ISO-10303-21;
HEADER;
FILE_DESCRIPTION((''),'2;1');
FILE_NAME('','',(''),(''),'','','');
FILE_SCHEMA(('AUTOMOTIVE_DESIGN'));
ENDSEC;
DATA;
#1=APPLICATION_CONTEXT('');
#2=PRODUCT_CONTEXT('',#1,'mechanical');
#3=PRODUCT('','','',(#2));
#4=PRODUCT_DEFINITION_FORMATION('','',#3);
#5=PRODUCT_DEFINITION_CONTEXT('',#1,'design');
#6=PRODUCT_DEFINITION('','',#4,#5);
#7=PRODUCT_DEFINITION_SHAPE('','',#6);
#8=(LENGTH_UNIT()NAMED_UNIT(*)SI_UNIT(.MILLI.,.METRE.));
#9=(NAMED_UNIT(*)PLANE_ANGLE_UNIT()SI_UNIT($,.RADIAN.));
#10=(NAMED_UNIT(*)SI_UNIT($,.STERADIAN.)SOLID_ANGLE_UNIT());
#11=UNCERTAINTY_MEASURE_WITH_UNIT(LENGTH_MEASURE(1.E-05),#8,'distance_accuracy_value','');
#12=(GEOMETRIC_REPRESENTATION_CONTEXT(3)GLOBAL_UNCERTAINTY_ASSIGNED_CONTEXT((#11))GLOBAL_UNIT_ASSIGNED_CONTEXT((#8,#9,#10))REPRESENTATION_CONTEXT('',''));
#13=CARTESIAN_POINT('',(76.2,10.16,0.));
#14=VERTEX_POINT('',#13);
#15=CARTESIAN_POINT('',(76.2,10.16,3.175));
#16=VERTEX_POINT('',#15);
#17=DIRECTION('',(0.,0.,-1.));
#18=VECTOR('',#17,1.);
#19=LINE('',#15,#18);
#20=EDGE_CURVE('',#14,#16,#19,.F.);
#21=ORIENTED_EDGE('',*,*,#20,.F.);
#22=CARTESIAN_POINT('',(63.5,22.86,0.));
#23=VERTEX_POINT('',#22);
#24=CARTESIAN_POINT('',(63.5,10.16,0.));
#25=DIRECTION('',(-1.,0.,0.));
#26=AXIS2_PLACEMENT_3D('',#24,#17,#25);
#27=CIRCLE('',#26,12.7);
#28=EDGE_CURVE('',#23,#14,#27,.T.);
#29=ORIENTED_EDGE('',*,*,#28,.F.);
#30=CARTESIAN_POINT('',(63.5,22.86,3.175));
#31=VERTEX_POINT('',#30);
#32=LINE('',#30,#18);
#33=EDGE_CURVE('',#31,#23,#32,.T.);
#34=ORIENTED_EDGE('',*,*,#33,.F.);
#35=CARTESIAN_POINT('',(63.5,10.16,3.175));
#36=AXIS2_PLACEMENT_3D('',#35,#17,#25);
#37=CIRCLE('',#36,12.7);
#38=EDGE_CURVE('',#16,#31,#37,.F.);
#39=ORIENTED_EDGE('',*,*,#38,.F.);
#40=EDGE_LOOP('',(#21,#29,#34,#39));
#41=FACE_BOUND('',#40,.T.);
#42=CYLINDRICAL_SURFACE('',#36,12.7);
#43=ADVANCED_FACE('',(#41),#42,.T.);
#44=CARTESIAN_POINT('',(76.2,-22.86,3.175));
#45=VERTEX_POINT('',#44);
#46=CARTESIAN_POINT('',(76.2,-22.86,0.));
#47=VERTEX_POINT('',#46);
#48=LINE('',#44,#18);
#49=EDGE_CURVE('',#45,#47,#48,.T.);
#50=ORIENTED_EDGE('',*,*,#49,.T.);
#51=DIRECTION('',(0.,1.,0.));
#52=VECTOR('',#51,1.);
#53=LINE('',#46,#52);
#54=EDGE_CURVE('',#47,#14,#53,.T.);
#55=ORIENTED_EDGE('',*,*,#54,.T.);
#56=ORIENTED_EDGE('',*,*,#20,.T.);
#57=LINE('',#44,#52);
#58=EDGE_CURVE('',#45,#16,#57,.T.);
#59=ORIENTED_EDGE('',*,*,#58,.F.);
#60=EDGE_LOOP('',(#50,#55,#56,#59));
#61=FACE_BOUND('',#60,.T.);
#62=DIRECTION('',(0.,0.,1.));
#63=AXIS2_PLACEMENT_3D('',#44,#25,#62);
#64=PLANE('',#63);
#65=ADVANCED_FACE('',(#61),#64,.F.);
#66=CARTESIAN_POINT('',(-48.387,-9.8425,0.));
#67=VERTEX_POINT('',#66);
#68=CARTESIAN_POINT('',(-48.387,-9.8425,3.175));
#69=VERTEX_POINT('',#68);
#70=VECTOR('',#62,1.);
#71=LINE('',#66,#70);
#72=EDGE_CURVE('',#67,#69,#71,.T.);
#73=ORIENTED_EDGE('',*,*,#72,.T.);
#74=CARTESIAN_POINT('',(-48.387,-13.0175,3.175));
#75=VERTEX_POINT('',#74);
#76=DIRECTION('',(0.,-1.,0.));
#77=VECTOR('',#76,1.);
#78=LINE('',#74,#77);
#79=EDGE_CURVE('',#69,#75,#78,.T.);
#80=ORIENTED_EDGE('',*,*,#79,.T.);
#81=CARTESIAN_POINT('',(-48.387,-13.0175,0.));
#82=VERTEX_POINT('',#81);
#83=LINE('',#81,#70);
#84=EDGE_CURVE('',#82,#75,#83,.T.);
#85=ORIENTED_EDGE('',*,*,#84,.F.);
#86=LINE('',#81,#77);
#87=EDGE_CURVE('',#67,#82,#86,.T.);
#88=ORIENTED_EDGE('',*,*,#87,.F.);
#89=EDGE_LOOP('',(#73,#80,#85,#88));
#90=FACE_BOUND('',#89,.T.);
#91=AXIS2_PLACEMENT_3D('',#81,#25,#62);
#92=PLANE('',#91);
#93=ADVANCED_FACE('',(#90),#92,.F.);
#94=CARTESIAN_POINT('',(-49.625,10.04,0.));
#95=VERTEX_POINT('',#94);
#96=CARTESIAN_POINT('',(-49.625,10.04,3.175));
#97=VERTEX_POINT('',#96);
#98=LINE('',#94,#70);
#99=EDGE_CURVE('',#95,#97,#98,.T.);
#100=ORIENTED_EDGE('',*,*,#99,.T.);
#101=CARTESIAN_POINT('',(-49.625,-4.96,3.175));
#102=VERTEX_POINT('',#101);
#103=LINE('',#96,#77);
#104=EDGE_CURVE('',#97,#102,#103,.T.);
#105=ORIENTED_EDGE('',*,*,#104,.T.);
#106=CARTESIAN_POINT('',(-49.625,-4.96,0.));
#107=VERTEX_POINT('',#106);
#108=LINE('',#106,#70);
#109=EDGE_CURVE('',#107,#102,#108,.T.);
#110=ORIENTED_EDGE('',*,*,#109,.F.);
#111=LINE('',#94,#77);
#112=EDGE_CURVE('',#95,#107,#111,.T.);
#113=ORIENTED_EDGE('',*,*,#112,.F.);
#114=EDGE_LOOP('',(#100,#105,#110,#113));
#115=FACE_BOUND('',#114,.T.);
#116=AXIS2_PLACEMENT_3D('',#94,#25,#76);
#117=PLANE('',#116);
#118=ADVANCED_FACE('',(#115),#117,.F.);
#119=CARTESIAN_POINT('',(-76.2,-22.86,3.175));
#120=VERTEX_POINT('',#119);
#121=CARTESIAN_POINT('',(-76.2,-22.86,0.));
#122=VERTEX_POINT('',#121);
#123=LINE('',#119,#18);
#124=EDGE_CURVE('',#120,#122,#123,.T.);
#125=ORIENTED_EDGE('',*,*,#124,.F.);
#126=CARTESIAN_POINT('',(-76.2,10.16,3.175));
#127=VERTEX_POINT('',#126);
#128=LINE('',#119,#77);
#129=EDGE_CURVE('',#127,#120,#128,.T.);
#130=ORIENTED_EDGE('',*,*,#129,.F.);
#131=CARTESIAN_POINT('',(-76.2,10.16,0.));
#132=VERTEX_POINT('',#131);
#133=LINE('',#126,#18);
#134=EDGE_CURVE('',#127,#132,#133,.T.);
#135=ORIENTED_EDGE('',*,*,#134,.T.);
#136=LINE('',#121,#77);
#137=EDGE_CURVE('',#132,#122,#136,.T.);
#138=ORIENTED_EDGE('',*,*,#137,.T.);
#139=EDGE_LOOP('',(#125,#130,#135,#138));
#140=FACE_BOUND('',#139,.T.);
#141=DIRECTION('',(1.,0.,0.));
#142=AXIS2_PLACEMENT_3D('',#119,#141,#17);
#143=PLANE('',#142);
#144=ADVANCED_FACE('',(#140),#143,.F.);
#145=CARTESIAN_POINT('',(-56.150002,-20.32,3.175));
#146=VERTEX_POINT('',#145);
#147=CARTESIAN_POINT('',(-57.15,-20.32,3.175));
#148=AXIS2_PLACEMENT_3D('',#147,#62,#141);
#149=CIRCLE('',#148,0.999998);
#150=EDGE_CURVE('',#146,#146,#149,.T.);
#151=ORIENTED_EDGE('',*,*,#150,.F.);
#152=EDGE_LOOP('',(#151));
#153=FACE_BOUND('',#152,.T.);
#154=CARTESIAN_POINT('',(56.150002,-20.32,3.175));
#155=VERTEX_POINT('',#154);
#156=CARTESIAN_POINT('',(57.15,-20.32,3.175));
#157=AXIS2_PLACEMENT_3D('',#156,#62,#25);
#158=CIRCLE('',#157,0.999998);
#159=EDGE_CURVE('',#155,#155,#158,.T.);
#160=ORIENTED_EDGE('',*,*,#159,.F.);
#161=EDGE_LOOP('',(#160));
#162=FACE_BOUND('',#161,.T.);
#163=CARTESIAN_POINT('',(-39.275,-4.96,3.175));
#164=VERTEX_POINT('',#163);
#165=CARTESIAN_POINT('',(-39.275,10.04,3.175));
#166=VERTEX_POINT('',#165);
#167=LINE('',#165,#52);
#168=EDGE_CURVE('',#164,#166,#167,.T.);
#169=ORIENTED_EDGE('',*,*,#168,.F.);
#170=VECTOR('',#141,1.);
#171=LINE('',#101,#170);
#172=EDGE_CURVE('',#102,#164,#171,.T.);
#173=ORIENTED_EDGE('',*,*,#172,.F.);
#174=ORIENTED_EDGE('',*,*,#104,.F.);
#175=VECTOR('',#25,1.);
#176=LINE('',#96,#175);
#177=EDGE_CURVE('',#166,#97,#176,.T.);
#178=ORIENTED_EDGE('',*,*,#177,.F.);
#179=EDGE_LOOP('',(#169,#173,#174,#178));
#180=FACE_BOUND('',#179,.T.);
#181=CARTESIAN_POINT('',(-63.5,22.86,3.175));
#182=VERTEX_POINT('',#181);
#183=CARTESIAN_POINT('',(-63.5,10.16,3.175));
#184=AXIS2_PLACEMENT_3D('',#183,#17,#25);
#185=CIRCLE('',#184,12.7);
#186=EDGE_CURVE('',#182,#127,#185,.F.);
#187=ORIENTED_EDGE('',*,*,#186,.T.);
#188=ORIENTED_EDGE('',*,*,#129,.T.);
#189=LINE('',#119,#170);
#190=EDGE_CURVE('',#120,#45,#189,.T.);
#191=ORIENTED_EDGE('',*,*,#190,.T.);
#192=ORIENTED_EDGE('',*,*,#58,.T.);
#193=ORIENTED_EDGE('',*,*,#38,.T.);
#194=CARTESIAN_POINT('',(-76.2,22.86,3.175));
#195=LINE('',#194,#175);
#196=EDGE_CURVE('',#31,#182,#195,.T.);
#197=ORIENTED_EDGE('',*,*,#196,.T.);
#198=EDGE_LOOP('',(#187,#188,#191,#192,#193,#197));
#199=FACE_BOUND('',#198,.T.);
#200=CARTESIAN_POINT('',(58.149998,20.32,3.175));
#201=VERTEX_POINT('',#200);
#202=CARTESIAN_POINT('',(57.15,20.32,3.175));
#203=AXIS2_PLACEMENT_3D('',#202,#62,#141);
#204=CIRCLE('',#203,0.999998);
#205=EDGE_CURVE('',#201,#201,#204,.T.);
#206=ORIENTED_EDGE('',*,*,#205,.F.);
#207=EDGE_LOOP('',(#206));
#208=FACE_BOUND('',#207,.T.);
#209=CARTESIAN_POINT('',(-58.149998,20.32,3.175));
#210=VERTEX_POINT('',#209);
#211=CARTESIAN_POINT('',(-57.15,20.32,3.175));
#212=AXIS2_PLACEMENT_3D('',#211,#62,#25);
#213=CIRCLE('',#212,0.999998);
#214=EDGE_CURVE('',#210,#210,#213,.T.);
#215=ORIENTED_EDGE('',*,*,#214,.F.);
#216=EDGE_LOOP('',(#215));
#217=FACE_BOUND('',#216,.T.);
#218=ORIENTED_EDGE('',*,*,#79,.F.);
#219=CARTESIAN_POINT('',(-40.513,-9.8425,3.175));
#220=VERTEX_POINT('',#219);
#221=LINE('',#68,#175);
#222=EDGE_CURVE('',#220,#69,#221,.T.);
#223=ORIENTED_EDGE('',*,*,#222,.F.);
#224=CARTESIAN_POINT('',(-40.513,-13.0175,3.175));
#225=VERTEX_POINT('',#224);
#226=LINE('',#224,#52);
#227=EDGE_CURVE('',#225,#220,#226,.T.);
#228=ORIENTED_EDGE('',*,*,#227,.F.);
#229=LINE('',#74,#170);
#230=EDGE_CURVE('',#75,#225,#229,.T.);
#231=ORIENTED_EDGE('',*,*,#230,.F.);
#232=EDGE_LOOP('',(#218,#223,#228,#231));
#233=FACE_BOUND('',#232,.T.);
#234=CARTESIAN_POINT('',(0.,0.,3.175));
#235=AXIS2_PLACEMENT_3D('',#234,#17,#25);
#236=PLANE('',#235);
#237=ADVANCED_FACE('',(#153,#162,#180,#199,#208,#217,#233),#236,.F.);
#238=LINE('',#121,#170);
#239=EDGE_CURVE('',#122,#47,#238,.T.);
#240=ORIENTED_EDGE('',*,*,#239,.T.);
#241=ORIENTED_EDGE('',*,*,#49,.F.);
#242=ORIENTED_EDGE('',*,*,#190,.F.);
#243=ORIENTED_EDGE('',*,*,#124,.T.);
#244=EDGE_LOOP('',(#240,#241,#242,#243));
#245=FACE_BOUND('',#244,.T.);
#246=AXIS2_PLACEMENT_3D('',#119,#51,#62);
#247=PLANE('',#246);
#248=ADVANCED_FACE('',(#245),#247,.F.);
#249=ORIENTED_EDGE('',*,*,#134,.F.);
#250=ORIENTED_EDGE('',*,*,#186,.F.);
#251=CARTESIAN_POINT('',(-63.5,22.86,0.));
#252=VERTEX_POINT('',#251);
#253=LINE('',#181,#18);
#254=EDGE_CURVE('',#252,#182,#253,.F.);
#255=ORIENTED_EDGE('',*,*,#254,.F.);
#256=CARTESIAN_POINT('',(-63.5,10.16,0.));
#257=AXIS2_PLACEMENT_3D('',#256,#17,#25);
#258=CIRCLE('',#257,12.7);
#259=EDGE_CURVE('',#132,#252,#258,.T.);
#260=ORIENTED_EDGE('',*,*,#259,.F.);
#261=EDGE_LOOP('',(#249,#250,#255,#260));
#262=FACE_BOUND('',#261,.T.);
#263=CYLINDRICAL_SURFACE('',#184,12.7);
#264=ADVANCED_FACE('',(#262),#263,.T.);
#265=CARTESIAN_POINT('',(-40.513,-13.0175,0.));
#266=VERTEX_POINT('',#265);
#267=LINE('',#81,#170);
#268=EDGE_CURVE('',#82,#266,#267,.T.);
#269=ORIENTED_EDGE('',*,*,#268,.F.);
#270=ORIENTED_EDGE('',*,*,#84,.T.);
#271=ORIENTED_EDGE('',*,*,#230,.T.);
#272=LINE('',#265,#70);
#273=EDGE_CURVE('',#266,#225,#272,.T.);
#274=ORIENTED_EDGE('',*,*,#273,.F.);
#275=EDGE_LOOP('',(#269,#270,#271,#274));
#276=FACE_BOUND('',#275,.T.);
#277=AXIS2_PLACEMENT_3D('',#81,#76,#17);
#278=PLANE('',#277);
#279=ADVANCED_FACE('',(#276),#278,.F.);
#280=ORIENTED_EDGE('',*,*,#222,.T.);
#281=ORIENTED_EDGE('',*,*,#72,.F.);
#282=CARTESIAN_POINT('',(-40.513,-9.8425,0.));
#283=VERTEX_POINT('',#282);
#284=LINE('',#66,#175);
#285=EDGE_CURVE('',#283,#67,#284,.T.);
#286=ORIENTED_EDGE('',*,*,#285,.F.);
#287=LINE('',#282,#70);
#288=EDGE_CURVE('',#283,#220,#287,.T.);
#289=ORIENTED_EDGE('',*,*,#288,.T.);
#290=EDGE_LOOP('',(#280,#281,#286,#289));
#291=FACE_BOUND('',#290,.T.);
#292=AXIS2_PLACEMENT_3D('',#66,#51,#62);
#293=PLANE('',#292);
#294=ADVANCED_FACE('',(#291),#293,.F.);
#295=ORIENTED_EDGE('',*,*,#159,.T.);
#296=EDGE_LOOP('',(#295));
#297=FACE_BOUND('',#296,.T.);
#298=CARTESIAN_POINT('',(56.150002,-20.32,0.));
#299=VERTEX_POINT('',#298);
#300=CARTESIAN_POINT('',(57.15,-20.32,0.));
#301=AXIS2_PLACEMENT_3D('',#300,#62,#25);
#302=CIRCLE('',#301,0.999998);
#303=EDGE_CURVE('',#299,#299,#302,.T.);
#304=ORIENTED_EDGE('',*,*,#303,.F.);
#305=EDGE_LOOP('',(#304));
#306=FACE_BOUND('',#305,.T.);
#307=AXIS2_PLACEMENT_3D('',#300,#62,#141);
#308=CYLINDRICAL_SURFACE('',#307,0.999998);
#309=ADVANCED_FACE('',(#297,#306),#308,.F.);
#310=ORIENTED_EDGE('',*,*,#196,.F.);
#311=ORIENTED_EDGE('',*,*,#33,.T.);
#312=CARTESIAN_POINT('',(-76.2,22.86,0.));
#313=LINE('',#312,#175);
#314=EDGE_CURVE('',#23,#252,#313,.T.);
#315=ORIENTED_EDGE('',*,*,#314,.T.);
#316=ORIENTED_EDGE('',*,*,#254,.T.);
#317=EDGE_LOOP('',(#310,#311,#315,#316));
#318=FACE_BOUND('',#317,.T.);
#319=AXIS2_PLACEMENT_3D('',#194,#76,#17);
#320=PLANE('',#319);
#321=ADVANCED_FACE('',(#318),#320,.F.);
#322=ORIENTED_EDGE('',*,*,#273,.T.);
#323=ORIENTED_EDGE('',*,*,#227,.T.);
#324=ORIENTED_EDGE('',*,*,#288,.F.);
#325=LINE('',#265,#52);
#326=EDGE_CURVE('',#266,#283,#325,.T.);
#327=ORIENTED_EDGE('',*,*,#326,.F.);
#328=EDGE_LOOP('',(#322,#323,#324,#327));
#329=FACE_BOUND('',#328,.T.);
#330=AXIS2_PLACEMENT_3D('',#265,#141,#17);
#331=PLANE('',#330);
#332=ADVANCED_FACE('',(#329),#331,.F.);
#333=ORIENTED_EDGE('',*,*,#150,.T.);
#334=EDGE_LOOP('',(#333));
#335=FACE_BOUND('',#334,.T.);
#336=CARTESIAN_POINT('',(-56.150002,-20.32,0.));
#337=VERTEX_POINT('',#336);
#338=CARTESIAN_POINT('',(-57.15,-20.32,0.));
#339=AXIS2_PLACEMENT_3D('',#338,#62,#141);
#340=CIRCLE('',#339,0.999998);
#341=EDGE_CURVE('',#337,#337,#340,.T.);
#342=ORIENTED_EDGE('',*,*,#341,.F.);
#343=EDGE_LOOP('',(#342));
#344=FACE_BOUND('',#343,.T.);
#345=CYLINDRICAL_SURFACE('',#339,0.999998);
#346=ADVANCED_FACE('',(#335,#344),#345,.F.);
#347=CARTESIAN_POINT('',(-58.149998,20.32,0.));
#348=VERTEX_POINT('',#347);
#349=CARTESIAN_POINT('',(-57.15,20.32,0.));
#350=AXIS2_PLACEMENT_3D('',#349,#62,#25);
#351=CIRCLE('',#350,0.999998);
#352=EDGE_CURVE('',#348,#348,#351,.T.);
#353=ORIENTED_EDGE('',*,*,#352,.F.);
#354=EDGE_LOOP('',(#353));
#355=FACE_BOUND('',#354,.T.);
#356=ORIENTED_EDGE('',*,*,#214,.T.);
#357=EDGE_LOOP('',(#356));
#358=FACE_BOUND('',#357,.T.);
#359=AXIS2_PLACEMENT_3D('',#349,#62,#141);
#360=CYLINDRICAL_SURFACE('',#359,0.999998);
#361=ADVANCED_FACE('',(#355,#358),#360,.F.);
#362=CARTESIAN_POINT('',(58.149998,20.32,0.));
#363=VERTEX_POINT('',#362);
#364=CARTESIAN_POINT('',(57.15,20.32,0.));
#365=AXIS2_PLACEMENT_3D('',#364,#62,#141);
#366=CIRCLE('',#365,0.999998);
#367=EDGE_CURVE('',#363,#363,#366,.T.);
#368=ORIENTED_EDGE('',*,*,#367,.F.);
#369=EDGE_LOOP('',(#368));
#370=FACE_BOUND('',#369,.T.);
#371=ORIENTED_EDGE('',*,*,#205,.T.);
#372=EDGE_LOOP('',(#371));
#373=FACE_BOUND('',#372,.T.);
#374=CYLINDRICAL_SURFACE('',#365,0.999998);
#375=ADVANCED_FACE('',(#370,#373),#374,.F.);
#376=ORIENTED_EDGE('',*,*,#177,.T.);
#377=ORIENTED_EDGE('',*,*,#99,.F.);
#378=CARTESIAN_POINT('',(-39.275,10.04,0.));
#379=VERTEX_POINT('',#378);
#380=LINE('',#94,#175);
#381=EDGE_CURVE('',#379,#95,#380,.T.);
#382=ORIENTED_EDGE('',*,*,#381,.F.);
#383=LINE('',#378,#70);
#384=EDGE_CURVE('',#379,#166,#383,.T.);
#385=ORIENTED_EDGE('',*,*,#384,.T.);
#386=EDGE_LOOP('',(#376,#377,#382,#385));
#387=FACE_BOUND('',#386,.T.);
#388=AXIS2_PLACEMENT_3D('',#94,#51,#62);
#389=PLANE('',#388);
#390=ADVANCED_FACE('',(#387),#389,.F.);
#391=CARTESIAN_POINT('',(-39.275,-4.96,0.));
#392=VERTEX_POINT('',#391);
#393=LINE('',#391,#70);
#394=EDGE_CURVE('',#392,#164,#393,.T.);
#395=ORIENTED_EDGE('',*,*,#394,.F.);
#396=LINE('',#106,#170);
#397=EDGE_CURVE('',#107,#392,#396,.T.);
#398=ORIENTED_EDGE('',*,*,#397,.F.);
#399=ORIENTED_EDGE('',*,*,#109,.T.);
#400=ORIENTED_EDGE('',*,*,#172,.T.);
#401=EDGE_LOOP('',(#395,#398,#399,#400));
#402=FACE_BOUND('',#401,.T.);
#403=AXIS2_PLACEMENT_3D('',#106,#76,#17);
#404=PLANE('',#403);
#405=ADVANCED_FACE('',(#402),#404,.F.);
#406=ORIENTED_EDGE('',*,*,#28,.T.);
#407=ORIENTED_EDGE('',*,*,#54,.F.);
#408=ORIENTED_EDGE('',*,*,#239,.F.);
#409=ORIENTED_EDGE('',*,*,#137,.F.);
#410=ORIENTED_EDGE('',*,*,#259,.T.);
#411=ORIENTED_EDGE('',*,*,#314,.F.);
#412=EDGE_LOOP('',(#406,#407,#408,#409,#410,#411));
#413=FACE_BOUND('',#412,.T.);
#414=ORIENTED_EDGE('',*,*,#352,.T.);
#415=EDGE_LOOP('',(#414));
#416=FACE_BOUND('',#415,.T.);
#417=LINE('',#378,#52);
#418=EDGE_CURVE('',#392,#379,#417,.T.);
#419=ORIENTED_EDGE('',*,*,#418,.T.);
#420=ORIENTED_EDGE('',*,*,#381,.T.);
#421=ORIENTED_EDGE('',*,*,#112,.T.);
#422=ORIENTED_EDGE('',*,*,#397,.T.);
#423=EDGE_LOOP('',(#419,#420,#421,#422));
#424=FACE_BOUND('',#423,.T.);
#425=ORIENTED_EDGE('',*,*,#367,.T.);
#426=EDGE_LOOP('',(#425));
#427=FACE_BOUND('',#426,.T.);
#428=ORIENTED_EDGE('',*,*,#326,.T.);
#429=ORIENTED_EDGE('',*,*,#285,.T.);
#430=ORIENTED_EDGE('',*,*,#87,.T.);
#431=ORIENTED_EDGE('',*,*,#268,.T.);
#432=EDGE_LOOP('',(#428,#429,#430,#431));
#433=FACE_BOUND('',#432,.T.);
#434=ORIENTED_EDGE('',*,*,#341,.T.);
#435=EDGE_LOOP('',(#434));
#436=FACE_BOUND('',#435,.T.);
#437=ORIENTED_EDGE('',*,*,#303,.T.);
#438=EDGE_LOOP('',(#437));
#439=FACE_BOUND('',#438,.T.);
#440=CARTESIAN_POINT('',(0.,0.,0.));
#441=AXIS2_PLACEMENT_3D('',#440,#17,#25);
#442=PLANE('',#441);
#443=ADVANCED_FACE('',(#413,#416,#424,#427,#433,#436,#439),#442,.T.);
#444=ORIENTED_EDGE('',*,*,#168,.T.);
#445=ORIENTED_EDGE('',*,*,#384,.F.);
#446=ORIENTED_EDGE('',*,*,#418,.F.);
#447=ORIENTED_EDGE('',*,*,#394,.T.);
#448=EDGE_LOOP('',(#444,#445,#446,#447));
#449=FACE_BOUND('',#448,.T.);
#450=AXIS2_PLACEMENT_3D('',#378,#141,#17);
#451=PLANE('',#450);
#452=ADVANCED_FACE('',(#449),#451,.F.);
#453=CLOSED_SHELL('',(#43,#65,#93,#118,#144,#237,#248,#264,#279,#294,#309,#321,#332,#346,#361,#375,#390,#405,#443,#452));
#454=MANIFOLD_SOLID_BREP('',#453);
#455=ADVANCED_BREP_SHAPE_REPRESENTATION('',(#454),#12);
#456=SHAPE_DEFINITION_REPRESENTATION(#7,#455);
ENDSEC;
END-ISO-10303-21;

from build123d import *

# Parameters (mm, degrees)
SKETCH1_W           = 152.4
SKETCH1_H           = 45.72
BOSS_EXTRUDE1_DEPTH = 3.175
FILLET1_R           = 12.7
SKETCH2_R           = 0.999998
CUT_EXTRUDE1_DEPTH  = 4.175
SKETCH3_W           = 7.874
SKETCH3_H           = 3.175
CUT_EXTRUDE2_DEPTH  = 4.175
SKETCH4_W           = 10.35
SKETCH4_H           = 15
CUT_EXTRUDE3_DEPTH  = 4.175


with BuildPart() as part:
    # Sketch1 → Boss-Extrude1 (new body)
    with BuildSketch(Plane.XY):
        Rectangle(SKETCH1_W, SKETCH1_H)
    extrude(amount=BOSS_EXTRUDE1_DEPTH)

    # Fillet1
    fillet1_edges = [part.edges().sort_by_distance(p)[0] for p in [
        (-76.2, 22.86, 1.5875),
        (76.2, 22.86, 1.5875),
    ]]
    fillet(fillet1_edges, radius=FILLET1_R)

    # Sketch2 → Cut-Extrude1 (cut, through all)
    with BuildSketch(Plane.XY.offset(3.175)):
        with Locations((-57.15, -20.32)):
            Circle(SKETCH2_R)
        with Locations((-57.15, 20.32)):
            Circle(SKETCH2_R)
        with Locations((57.15, -20.32)):
            Circle(SKETCH2_R)
        with Locations((57.15, 20.32)):
            Circle(SKETCH2_R)
    extrude(amount=-CUT_EXTRUDE1_DEPTH, mode=Mode.SUBTRACT)

    # Sketch3 → Cut-Extrude2 (cut, through all)
    with BuildSketch(Plane.XY.offset(3.175)):
        with Locations((-44.45, -11.43)):
            Rectangle(SKETCH3_W, SKETCH3_H)
    extrude(amount=-CUT_EXTRUDE2_DEPTH, mode=Mode.SUBTRACT)

    # Sketch4 → Cut-Extrude3 (cut, through all)
    with BuildSketch(Plane.XY.offset(3.175)):
        with Locations((-44.45, 2.54)):
            Rectangle(SKETCH4_W, SKETCH4_H)
    extrude(amount=-CUT_EXTRUDE3_DEPTH, mode=Mode.SUBTRACT)


solid = part.part
